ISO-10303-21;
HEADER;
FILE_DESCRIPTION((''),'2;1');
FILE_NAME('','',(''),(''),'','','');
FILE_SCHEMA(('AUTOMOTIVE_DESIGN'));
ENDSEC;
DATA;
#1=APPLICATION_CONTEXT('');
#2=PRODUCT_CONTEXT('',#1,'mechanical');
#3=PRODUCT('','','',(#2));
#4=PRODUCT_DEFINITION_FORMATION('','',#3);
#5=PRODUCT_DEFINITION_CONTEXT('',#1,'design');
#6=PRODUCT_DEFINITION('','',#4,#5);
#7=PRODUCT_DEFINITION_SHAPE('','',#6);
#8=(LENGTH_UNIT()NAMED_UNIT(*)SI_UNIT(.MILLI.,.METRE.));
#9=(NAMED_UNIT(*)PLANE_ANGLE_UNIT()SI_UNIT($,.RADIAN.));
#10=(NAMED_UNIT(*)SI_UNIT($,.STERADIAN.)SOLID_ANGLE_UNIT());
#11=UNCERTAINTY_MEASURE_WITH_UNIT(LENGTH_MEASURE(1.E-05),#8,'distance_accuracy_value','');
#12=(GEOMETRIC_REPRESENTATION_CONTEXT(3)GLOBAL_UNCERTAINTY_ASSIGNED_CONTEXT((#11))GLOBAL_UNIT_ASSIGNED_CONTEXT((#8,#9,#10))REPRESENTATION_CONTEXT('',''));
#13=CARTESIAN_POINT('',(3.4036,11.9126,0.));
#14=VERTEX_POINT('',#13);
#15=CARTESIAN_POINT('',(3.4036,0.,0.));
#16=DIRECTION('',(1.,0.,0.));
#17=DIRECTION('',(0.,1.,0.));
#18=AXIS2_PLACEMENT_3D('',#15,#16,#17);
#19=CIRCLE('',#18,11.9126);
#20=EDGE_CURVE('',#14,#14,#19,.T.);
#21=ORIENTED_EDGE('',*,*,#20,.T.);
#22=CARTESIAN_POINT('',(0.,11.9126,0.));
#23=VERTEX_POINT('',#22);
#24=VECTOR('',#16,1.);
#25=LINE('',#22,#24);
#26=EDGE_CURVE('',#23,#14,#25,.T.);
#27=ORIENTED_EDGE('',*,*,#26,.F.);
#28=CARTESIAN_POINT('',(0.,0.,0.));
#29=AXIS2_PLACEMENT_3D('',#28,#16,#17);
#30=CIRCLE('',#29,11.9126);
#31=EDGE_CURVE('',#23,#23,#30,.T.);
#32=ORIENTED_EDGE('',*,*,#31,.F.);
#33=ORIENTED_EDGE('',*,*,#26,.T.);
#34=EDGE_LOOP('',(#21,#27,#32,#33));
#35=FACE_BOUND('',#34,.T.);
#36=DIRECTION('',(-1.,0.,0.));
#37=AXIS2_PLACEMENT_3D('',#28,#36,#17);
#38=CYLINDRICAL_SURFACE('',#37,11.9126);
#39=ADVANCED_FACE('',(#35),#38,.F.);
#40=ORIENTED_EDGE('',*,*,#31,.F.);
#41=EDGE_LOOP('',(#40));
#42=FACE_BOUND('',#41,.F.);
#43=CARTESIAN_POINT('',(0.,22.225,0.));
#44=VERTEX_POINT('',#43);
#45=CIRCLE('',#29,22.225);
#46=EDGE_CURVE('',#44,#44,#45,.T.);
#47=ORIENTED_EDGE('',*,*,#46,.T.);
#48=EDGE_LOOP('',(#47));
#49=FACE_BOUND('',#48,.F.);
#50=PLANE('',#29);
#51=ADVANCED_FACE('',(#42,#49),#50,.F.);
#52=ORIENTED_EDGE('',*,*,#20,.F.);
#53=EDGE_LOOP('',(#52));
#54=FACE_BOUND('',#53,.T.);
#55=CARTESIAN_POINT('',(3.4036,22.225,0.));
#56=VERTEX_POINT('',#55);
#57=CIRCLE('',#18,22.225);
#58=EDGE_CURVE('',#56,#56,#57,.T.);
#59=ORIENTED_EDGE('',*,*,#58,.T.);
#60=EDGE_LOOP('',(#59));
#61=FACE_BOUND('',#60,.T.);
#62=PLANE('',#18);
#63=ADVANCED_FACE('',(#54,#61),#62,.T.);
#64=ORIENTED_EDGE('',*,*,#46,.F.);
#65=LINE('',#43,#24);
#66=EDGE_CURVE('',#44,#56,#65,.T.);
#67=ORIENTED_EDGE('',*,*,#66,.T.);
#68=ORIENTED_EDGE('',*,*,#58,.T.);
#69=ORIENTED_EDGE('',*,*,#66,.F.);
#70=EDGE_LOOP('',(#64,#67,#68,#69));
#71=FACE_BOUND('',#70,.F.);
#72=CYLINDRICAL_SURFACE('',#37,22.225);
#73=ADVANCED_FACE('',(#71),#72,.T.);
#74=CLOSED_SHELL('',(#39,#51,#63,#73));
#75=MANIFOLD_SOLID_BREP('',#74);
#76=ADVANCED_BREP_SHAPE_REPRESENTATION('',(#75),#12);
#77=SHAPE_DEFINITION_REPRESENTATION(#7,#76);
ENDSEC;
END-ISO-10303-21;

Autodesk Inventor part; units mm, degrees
ref_plane "YZ Plane" through (0, 0, 0) normal (1, 0, 0) x (0, 1, 0)
ref_plane "XZ Plane" through (0, 0, 0) normal (0, 1, 0) x (-1, 0, 0)
sketch "Sketch" plane through (0, 0, 0) normal (1, 0, 0) x (0, 1, 0)
  circle A0 centre (0, 0) radius 22.225
  circle A1 centre (0, 0) radius 11.9126
  dimension "d0" = 23.8252
  dimension "d1" = 44.45
extrude "Body" add sketch "Sketch" along normal blind 3.4036
ref_plane "Work Plane1" through (0, 0, 0) normal (0, 0, 1) x (1, 0, 0)
equation "\"d0\" = SD1"
equation "\"d1\" = SD2"
equation "\"d2\" = SD"
equation "\"SD1\" = 23.8252"
equation "\"SD2\" = 44.45"
equation "\"SD\" = 3.4036"
equation "\"NND\" = 22.225"
properties part number "ANSI B18.22.1 - 7/8 - narrow - Type A" material "Steel, Mild"
